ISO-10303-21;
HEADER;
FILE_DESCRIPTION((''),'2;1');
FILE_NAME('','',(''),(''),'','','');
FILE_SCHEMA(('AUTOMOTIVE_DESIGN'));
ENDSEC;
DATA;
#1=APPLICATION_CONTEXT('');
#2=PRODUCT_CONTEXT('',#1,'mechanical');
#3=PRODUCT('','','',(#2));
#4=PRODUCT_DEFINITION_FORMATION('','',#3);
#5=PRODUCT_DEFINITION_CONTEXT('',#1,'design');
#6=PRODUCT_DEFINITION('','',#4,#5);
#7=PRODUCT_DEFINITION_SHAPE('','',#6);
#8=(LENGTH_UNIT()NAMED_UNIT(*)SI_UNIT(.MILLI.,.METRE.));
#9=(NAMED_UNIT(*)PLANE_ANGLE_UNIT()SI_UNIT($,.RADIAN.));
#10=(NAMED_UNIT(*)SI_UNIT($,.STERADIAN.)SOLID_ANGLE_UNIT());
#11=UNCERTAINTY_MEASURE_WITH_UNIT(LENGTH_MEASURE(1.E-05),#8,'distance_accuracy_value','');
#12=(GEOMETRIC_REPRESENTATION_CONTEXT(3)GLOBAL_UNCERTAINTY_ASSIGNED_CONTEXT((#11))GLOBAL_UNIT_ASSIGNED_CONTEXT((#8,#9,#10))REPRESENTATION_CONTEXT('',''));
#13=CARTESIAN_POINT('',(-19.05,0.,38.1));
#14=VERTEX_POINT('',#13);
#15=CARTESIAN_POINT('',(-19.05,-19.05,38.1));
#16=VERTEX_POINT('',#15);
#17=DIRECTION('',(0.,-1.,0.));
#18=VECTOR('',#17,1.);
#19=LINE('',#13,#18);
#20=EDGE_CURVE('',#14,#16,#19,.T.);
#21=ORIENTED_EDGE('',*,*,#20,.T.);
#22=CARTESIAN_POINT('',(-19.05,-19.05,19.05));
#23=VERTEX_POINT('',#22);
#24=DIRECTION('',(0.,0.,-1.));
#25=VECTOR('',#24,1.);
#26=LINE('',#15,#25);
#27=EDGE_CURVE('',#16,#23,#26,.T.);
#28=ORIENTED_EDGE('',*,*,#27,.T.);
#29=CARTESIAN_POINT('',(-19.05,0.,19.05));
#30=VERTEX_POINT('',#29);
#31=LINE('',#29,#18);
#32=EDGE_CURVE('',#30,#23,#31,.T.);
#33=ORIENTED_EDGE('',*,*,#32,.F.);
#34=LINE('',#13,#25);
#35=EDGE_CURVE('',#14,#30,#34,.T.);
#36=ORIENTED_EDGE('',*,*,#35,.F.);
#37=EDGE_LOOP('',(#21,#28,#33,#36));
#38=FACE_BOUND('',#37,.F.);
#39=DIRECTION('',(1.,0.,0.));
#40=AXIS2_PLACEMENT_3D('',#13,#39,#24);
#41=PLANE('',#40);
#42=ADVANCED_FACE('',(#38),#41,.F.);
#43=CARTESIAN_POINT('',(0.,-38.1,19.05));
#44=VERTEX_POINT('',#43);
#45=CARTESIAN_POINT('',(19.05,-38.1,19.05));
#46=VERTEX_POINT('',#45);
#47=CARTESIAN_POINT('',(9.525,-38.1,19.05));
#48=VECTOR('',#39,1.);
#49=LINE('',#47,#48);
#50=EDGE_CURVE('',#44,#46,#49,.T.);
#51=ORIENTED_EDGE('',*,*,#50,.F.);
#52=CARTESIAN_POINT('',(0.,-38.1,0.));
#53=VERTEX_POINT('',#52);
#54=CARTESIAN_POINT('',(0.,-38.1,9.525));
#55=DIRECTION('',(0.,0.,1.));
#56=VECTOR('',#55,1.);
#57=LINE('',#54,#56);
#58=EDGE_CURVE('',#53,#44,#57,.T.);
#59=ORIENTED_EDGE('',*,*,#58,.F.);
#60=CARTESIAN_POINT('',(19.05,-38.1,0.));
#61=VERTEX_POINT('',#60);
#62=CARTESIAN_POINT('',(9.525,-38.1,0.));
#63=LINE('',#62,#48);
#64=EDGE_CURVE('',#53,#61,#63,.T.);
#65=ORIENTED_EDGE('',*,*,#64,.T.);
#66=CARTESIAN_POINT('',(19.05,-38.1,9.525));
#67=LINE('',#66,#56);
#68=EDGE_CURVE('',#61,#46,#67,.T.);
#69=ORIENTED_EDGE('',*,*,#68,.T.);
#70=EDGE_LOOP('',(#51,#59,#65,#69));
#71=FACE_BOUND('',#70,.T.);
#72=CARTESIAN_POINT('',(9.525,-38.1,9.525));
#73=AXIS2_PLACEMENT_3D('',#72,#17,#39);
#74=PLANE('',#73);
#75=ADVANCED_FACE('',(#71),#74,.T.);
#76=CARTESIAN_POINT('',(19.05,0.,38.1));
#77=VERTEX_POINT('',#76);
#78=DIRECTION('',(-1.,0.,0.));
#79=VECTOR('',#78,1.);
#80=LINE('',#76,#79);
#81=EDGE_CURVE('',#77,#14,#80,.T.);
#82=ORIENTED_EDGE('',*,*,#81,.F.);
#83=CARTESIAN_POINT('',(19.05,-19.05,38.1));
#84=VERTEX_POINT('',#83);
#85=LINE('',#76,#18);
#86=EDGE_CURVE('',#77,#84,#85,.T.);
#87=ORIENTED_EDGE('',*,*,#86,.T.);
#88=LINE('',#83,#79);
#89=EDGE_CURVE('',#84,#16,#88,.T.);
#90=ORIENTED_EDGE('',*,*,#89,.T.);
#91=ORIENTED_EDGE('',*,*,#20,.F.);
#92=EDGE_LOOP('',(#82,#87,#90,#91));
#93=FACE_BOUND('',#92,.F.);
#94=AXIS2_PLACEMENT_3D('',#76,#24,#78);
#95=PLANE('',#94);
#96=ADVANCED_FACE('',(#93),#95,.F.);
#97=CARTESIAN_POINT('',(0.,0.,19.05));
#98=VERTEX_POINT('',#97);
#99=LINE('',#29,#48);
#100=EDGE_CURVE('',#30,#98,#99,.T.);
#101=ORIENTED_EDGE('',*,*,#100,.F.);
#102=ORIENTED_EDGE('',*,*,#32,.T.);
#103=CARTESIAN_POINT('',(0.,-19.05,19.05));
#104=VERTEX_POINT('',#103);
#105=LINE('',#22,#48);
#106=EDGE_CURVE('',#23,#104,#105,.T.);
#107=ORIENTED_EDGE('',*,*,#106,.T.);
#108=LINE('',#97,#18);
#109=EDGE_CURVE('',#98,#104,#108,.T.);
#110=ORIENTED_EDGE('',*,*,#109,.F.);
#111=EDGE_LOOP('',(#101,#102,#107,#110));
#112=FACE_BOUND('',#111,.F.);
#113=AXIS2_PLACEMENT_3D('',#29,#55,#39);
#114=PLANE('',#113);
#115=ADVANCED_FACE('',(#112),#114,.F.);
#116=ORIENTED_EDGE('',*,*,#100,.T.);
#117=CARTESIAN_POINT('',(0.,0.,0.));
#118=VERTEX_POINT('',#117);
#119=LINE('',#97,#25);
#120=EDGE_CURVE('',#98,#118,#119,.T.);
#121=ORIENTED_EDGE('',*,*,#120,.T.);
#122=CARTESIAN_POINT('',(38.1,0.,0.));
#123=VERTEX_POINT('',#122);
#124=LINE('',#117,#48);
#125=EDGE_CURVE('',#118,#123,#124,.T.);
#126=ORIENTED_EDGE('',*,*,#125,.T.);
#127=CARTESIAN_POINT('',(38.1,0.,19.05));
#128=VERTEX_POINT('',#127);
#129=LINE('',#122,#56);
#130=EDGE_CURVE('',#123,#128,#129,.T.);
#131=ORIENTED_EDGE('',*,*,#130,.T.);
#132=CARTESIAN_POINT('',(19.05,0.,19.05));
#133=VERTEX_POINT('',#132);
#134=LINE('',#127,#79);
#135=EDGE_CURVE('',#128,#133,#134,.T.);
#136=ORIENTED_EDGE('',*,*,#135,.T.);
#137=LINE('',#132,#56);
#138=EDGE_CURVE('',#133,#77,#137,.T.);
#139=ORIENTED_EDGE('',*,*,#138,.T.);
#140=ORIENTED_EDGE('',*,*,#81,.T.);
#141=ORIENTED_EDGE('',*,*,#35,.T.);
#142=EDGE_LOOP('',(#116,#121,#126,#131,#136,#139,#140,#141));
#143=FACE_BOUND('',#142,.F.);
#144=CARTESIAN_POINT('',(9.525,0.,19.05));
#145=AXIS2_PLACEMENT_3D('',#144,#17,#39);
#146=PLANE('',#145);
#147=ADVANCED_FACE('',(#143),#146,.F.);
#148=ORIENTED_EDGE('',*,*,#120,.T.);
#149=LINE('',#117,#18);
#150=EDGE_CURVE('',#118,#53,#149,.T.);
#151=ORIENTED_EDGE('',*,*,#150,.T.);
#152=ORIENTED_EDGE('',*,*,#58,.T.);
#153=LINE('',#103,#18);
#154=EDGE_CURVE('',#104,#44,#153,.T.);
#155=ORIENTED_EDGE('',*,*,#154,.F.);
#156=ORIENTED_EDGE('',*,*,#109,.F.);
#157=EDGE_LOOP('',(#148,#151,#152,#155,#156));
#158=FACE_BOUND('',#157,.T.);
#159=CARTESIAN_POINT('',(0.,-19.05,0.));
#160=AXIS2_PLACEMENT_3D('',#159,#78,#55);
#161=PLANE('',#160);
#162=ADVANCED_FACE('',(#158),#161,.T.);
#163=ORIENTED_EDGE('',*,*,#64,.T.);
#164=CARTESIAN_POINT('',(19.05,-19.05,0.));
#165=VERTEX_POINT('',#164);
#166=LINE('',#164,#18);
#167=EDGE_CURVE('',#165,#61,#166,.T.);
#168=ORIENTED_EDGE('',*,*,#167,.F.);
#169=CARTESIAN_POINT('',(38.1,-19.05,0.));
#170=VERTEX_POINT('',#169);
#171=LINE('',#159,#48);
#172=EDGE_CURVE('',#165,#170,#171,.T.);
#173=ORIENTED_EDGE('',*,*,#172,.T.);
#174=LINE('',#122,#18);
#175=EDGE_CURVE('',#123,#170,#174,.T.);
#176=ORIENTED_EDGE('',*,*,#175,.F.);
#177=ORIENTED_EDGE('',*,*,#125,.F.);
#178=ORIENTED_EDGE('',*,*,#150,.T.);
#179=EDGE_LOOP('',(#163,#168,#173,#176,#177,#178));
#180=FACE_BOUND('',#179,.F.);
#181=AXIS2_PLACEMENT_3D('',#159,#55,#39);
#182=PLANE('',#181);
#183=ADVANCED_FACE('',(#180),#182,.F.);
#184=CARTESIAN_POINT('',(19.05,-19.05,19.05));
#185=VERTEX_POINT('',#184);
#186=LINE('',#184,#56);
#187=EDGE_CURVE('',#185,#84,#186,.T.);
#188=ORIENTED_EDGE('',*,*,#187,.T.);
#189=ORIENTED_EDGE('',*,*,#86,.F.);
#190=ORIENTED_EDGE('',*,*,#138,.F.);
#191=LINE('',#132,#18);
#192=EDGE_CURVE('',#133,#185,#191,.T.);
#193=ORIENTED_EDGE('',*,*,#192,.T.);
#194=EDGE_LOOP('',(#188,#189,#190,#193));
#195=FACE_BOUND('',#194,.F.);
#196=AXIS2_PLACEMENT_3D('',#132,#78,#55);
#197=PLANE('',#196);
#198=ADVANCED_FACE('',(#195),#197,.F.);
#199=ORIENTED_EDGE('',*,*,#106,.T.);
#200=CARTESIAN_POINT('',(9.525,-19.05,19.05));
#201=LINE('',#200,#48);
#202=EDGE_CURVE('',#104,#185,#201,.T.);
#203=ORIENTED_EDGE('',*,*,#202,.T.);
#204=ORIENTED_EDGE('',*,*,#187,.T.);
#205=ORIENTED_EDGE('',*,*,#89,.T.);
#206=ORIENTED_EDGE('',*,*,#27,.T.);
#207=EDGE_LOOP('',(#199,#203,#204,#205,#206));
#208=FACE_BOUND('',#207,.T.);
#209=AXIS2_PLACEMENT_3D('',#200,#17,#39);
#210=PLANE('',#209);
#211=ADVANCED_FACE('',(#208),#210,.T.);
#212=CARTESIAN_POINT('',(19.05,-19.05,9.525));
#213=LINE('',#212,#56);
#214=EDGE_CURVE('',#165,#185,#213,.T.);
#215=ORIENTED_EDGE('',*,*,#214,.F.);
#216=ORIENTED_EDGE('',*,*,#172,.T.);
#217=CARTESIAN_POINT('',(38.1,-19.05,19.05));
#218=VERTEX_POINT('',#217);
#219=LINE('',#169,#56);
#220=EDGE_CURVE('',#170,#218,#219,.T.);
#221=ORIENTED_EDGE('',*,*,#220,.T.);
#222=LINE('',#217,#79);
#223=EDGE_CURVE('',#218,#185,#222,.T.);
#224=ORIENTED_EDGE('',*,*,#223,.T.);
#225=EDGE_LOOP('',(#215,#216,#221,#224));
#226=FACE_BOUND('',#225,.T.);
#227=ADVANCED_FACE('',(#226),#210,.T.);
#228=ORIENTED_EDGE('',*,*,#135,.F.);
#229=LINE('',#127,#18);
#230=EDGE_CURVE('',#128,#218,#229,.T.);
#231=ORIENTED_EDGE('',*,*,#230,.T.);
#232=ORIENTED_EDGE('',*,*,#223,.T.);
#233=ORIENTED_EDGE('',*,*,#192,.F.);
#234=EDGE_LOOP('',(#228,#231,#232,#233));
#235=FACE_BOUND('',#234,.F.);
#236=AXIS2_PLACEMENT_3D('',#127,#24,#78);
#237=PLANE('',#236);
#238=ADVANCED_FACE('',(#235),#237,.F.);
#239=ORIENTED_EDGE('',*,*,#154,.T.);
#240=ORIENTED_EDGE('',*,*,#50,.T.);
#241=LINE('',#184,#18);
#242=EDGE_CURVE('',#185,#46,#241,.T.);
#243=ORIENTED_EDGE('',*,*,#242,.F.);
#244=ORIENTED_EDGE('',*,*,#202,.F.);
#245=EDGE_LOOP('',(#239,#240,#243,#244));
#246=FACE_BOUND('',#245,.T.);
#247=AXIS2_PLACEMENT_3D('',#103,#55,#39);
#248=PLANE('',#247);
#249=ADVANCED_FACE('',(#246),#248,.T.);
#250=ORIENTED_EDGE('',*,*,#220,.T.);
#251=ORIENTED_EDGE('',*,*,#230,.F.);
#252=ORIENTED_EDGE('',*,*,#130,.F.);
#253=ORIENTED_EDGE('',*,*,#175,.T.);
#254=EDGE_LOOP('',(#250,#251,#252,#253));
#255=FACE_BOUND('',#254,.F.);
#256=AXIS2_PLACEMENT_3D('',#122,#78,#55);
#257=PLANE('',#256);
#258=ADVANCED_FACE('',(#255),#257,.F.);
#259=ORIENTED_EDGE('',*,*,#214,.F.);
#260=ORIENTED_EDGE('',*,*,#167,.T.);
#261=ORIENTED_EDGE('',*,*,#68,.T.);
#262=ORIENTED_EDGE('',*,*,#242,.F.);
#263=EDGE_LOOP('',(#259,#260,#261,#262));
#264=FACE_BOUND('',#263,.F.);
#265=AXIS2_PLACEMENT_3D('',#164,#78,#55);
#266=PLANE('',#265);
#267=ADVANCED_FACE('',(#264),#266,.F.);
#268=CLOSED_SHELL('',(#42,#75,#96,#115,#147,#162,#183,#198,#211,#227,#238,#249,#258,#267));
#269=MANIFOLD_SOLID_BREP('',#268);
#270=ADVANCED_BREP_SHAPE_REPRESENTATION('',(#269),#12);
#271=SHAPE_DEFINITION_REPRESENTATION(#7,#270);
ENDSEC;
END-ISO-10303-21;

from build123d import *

# Parameters (mm, degrees)
F1_DEPTH = 19.05
F2_W     = 19.05
F2_H     = 19.05
F3_DEPTH = 19.05


with BuildPart() as f1:
    # F0 (on Front) → F1 (new body)
    with BuildSketch(Plane.XZ):
        Polygon((0, 19.05), (0, 0), (38.1, 0), (38.1, 19.05), (19.05, 19.05), (19.05, 38.1), (-19.05, 38.1), (-19.05, 19.05), align=None)
    extrude(amount=F1_DEPTH)

    # F2 (on face) → F3 (join)
    with BuildSketch(Plane.XZ.offset(19.05)):
        with Locations((9.525, 9.525)):
            Rectangle(F2_W, F2_H)
    extrude(amount=F3_DEPTH)


solid = f1.part
